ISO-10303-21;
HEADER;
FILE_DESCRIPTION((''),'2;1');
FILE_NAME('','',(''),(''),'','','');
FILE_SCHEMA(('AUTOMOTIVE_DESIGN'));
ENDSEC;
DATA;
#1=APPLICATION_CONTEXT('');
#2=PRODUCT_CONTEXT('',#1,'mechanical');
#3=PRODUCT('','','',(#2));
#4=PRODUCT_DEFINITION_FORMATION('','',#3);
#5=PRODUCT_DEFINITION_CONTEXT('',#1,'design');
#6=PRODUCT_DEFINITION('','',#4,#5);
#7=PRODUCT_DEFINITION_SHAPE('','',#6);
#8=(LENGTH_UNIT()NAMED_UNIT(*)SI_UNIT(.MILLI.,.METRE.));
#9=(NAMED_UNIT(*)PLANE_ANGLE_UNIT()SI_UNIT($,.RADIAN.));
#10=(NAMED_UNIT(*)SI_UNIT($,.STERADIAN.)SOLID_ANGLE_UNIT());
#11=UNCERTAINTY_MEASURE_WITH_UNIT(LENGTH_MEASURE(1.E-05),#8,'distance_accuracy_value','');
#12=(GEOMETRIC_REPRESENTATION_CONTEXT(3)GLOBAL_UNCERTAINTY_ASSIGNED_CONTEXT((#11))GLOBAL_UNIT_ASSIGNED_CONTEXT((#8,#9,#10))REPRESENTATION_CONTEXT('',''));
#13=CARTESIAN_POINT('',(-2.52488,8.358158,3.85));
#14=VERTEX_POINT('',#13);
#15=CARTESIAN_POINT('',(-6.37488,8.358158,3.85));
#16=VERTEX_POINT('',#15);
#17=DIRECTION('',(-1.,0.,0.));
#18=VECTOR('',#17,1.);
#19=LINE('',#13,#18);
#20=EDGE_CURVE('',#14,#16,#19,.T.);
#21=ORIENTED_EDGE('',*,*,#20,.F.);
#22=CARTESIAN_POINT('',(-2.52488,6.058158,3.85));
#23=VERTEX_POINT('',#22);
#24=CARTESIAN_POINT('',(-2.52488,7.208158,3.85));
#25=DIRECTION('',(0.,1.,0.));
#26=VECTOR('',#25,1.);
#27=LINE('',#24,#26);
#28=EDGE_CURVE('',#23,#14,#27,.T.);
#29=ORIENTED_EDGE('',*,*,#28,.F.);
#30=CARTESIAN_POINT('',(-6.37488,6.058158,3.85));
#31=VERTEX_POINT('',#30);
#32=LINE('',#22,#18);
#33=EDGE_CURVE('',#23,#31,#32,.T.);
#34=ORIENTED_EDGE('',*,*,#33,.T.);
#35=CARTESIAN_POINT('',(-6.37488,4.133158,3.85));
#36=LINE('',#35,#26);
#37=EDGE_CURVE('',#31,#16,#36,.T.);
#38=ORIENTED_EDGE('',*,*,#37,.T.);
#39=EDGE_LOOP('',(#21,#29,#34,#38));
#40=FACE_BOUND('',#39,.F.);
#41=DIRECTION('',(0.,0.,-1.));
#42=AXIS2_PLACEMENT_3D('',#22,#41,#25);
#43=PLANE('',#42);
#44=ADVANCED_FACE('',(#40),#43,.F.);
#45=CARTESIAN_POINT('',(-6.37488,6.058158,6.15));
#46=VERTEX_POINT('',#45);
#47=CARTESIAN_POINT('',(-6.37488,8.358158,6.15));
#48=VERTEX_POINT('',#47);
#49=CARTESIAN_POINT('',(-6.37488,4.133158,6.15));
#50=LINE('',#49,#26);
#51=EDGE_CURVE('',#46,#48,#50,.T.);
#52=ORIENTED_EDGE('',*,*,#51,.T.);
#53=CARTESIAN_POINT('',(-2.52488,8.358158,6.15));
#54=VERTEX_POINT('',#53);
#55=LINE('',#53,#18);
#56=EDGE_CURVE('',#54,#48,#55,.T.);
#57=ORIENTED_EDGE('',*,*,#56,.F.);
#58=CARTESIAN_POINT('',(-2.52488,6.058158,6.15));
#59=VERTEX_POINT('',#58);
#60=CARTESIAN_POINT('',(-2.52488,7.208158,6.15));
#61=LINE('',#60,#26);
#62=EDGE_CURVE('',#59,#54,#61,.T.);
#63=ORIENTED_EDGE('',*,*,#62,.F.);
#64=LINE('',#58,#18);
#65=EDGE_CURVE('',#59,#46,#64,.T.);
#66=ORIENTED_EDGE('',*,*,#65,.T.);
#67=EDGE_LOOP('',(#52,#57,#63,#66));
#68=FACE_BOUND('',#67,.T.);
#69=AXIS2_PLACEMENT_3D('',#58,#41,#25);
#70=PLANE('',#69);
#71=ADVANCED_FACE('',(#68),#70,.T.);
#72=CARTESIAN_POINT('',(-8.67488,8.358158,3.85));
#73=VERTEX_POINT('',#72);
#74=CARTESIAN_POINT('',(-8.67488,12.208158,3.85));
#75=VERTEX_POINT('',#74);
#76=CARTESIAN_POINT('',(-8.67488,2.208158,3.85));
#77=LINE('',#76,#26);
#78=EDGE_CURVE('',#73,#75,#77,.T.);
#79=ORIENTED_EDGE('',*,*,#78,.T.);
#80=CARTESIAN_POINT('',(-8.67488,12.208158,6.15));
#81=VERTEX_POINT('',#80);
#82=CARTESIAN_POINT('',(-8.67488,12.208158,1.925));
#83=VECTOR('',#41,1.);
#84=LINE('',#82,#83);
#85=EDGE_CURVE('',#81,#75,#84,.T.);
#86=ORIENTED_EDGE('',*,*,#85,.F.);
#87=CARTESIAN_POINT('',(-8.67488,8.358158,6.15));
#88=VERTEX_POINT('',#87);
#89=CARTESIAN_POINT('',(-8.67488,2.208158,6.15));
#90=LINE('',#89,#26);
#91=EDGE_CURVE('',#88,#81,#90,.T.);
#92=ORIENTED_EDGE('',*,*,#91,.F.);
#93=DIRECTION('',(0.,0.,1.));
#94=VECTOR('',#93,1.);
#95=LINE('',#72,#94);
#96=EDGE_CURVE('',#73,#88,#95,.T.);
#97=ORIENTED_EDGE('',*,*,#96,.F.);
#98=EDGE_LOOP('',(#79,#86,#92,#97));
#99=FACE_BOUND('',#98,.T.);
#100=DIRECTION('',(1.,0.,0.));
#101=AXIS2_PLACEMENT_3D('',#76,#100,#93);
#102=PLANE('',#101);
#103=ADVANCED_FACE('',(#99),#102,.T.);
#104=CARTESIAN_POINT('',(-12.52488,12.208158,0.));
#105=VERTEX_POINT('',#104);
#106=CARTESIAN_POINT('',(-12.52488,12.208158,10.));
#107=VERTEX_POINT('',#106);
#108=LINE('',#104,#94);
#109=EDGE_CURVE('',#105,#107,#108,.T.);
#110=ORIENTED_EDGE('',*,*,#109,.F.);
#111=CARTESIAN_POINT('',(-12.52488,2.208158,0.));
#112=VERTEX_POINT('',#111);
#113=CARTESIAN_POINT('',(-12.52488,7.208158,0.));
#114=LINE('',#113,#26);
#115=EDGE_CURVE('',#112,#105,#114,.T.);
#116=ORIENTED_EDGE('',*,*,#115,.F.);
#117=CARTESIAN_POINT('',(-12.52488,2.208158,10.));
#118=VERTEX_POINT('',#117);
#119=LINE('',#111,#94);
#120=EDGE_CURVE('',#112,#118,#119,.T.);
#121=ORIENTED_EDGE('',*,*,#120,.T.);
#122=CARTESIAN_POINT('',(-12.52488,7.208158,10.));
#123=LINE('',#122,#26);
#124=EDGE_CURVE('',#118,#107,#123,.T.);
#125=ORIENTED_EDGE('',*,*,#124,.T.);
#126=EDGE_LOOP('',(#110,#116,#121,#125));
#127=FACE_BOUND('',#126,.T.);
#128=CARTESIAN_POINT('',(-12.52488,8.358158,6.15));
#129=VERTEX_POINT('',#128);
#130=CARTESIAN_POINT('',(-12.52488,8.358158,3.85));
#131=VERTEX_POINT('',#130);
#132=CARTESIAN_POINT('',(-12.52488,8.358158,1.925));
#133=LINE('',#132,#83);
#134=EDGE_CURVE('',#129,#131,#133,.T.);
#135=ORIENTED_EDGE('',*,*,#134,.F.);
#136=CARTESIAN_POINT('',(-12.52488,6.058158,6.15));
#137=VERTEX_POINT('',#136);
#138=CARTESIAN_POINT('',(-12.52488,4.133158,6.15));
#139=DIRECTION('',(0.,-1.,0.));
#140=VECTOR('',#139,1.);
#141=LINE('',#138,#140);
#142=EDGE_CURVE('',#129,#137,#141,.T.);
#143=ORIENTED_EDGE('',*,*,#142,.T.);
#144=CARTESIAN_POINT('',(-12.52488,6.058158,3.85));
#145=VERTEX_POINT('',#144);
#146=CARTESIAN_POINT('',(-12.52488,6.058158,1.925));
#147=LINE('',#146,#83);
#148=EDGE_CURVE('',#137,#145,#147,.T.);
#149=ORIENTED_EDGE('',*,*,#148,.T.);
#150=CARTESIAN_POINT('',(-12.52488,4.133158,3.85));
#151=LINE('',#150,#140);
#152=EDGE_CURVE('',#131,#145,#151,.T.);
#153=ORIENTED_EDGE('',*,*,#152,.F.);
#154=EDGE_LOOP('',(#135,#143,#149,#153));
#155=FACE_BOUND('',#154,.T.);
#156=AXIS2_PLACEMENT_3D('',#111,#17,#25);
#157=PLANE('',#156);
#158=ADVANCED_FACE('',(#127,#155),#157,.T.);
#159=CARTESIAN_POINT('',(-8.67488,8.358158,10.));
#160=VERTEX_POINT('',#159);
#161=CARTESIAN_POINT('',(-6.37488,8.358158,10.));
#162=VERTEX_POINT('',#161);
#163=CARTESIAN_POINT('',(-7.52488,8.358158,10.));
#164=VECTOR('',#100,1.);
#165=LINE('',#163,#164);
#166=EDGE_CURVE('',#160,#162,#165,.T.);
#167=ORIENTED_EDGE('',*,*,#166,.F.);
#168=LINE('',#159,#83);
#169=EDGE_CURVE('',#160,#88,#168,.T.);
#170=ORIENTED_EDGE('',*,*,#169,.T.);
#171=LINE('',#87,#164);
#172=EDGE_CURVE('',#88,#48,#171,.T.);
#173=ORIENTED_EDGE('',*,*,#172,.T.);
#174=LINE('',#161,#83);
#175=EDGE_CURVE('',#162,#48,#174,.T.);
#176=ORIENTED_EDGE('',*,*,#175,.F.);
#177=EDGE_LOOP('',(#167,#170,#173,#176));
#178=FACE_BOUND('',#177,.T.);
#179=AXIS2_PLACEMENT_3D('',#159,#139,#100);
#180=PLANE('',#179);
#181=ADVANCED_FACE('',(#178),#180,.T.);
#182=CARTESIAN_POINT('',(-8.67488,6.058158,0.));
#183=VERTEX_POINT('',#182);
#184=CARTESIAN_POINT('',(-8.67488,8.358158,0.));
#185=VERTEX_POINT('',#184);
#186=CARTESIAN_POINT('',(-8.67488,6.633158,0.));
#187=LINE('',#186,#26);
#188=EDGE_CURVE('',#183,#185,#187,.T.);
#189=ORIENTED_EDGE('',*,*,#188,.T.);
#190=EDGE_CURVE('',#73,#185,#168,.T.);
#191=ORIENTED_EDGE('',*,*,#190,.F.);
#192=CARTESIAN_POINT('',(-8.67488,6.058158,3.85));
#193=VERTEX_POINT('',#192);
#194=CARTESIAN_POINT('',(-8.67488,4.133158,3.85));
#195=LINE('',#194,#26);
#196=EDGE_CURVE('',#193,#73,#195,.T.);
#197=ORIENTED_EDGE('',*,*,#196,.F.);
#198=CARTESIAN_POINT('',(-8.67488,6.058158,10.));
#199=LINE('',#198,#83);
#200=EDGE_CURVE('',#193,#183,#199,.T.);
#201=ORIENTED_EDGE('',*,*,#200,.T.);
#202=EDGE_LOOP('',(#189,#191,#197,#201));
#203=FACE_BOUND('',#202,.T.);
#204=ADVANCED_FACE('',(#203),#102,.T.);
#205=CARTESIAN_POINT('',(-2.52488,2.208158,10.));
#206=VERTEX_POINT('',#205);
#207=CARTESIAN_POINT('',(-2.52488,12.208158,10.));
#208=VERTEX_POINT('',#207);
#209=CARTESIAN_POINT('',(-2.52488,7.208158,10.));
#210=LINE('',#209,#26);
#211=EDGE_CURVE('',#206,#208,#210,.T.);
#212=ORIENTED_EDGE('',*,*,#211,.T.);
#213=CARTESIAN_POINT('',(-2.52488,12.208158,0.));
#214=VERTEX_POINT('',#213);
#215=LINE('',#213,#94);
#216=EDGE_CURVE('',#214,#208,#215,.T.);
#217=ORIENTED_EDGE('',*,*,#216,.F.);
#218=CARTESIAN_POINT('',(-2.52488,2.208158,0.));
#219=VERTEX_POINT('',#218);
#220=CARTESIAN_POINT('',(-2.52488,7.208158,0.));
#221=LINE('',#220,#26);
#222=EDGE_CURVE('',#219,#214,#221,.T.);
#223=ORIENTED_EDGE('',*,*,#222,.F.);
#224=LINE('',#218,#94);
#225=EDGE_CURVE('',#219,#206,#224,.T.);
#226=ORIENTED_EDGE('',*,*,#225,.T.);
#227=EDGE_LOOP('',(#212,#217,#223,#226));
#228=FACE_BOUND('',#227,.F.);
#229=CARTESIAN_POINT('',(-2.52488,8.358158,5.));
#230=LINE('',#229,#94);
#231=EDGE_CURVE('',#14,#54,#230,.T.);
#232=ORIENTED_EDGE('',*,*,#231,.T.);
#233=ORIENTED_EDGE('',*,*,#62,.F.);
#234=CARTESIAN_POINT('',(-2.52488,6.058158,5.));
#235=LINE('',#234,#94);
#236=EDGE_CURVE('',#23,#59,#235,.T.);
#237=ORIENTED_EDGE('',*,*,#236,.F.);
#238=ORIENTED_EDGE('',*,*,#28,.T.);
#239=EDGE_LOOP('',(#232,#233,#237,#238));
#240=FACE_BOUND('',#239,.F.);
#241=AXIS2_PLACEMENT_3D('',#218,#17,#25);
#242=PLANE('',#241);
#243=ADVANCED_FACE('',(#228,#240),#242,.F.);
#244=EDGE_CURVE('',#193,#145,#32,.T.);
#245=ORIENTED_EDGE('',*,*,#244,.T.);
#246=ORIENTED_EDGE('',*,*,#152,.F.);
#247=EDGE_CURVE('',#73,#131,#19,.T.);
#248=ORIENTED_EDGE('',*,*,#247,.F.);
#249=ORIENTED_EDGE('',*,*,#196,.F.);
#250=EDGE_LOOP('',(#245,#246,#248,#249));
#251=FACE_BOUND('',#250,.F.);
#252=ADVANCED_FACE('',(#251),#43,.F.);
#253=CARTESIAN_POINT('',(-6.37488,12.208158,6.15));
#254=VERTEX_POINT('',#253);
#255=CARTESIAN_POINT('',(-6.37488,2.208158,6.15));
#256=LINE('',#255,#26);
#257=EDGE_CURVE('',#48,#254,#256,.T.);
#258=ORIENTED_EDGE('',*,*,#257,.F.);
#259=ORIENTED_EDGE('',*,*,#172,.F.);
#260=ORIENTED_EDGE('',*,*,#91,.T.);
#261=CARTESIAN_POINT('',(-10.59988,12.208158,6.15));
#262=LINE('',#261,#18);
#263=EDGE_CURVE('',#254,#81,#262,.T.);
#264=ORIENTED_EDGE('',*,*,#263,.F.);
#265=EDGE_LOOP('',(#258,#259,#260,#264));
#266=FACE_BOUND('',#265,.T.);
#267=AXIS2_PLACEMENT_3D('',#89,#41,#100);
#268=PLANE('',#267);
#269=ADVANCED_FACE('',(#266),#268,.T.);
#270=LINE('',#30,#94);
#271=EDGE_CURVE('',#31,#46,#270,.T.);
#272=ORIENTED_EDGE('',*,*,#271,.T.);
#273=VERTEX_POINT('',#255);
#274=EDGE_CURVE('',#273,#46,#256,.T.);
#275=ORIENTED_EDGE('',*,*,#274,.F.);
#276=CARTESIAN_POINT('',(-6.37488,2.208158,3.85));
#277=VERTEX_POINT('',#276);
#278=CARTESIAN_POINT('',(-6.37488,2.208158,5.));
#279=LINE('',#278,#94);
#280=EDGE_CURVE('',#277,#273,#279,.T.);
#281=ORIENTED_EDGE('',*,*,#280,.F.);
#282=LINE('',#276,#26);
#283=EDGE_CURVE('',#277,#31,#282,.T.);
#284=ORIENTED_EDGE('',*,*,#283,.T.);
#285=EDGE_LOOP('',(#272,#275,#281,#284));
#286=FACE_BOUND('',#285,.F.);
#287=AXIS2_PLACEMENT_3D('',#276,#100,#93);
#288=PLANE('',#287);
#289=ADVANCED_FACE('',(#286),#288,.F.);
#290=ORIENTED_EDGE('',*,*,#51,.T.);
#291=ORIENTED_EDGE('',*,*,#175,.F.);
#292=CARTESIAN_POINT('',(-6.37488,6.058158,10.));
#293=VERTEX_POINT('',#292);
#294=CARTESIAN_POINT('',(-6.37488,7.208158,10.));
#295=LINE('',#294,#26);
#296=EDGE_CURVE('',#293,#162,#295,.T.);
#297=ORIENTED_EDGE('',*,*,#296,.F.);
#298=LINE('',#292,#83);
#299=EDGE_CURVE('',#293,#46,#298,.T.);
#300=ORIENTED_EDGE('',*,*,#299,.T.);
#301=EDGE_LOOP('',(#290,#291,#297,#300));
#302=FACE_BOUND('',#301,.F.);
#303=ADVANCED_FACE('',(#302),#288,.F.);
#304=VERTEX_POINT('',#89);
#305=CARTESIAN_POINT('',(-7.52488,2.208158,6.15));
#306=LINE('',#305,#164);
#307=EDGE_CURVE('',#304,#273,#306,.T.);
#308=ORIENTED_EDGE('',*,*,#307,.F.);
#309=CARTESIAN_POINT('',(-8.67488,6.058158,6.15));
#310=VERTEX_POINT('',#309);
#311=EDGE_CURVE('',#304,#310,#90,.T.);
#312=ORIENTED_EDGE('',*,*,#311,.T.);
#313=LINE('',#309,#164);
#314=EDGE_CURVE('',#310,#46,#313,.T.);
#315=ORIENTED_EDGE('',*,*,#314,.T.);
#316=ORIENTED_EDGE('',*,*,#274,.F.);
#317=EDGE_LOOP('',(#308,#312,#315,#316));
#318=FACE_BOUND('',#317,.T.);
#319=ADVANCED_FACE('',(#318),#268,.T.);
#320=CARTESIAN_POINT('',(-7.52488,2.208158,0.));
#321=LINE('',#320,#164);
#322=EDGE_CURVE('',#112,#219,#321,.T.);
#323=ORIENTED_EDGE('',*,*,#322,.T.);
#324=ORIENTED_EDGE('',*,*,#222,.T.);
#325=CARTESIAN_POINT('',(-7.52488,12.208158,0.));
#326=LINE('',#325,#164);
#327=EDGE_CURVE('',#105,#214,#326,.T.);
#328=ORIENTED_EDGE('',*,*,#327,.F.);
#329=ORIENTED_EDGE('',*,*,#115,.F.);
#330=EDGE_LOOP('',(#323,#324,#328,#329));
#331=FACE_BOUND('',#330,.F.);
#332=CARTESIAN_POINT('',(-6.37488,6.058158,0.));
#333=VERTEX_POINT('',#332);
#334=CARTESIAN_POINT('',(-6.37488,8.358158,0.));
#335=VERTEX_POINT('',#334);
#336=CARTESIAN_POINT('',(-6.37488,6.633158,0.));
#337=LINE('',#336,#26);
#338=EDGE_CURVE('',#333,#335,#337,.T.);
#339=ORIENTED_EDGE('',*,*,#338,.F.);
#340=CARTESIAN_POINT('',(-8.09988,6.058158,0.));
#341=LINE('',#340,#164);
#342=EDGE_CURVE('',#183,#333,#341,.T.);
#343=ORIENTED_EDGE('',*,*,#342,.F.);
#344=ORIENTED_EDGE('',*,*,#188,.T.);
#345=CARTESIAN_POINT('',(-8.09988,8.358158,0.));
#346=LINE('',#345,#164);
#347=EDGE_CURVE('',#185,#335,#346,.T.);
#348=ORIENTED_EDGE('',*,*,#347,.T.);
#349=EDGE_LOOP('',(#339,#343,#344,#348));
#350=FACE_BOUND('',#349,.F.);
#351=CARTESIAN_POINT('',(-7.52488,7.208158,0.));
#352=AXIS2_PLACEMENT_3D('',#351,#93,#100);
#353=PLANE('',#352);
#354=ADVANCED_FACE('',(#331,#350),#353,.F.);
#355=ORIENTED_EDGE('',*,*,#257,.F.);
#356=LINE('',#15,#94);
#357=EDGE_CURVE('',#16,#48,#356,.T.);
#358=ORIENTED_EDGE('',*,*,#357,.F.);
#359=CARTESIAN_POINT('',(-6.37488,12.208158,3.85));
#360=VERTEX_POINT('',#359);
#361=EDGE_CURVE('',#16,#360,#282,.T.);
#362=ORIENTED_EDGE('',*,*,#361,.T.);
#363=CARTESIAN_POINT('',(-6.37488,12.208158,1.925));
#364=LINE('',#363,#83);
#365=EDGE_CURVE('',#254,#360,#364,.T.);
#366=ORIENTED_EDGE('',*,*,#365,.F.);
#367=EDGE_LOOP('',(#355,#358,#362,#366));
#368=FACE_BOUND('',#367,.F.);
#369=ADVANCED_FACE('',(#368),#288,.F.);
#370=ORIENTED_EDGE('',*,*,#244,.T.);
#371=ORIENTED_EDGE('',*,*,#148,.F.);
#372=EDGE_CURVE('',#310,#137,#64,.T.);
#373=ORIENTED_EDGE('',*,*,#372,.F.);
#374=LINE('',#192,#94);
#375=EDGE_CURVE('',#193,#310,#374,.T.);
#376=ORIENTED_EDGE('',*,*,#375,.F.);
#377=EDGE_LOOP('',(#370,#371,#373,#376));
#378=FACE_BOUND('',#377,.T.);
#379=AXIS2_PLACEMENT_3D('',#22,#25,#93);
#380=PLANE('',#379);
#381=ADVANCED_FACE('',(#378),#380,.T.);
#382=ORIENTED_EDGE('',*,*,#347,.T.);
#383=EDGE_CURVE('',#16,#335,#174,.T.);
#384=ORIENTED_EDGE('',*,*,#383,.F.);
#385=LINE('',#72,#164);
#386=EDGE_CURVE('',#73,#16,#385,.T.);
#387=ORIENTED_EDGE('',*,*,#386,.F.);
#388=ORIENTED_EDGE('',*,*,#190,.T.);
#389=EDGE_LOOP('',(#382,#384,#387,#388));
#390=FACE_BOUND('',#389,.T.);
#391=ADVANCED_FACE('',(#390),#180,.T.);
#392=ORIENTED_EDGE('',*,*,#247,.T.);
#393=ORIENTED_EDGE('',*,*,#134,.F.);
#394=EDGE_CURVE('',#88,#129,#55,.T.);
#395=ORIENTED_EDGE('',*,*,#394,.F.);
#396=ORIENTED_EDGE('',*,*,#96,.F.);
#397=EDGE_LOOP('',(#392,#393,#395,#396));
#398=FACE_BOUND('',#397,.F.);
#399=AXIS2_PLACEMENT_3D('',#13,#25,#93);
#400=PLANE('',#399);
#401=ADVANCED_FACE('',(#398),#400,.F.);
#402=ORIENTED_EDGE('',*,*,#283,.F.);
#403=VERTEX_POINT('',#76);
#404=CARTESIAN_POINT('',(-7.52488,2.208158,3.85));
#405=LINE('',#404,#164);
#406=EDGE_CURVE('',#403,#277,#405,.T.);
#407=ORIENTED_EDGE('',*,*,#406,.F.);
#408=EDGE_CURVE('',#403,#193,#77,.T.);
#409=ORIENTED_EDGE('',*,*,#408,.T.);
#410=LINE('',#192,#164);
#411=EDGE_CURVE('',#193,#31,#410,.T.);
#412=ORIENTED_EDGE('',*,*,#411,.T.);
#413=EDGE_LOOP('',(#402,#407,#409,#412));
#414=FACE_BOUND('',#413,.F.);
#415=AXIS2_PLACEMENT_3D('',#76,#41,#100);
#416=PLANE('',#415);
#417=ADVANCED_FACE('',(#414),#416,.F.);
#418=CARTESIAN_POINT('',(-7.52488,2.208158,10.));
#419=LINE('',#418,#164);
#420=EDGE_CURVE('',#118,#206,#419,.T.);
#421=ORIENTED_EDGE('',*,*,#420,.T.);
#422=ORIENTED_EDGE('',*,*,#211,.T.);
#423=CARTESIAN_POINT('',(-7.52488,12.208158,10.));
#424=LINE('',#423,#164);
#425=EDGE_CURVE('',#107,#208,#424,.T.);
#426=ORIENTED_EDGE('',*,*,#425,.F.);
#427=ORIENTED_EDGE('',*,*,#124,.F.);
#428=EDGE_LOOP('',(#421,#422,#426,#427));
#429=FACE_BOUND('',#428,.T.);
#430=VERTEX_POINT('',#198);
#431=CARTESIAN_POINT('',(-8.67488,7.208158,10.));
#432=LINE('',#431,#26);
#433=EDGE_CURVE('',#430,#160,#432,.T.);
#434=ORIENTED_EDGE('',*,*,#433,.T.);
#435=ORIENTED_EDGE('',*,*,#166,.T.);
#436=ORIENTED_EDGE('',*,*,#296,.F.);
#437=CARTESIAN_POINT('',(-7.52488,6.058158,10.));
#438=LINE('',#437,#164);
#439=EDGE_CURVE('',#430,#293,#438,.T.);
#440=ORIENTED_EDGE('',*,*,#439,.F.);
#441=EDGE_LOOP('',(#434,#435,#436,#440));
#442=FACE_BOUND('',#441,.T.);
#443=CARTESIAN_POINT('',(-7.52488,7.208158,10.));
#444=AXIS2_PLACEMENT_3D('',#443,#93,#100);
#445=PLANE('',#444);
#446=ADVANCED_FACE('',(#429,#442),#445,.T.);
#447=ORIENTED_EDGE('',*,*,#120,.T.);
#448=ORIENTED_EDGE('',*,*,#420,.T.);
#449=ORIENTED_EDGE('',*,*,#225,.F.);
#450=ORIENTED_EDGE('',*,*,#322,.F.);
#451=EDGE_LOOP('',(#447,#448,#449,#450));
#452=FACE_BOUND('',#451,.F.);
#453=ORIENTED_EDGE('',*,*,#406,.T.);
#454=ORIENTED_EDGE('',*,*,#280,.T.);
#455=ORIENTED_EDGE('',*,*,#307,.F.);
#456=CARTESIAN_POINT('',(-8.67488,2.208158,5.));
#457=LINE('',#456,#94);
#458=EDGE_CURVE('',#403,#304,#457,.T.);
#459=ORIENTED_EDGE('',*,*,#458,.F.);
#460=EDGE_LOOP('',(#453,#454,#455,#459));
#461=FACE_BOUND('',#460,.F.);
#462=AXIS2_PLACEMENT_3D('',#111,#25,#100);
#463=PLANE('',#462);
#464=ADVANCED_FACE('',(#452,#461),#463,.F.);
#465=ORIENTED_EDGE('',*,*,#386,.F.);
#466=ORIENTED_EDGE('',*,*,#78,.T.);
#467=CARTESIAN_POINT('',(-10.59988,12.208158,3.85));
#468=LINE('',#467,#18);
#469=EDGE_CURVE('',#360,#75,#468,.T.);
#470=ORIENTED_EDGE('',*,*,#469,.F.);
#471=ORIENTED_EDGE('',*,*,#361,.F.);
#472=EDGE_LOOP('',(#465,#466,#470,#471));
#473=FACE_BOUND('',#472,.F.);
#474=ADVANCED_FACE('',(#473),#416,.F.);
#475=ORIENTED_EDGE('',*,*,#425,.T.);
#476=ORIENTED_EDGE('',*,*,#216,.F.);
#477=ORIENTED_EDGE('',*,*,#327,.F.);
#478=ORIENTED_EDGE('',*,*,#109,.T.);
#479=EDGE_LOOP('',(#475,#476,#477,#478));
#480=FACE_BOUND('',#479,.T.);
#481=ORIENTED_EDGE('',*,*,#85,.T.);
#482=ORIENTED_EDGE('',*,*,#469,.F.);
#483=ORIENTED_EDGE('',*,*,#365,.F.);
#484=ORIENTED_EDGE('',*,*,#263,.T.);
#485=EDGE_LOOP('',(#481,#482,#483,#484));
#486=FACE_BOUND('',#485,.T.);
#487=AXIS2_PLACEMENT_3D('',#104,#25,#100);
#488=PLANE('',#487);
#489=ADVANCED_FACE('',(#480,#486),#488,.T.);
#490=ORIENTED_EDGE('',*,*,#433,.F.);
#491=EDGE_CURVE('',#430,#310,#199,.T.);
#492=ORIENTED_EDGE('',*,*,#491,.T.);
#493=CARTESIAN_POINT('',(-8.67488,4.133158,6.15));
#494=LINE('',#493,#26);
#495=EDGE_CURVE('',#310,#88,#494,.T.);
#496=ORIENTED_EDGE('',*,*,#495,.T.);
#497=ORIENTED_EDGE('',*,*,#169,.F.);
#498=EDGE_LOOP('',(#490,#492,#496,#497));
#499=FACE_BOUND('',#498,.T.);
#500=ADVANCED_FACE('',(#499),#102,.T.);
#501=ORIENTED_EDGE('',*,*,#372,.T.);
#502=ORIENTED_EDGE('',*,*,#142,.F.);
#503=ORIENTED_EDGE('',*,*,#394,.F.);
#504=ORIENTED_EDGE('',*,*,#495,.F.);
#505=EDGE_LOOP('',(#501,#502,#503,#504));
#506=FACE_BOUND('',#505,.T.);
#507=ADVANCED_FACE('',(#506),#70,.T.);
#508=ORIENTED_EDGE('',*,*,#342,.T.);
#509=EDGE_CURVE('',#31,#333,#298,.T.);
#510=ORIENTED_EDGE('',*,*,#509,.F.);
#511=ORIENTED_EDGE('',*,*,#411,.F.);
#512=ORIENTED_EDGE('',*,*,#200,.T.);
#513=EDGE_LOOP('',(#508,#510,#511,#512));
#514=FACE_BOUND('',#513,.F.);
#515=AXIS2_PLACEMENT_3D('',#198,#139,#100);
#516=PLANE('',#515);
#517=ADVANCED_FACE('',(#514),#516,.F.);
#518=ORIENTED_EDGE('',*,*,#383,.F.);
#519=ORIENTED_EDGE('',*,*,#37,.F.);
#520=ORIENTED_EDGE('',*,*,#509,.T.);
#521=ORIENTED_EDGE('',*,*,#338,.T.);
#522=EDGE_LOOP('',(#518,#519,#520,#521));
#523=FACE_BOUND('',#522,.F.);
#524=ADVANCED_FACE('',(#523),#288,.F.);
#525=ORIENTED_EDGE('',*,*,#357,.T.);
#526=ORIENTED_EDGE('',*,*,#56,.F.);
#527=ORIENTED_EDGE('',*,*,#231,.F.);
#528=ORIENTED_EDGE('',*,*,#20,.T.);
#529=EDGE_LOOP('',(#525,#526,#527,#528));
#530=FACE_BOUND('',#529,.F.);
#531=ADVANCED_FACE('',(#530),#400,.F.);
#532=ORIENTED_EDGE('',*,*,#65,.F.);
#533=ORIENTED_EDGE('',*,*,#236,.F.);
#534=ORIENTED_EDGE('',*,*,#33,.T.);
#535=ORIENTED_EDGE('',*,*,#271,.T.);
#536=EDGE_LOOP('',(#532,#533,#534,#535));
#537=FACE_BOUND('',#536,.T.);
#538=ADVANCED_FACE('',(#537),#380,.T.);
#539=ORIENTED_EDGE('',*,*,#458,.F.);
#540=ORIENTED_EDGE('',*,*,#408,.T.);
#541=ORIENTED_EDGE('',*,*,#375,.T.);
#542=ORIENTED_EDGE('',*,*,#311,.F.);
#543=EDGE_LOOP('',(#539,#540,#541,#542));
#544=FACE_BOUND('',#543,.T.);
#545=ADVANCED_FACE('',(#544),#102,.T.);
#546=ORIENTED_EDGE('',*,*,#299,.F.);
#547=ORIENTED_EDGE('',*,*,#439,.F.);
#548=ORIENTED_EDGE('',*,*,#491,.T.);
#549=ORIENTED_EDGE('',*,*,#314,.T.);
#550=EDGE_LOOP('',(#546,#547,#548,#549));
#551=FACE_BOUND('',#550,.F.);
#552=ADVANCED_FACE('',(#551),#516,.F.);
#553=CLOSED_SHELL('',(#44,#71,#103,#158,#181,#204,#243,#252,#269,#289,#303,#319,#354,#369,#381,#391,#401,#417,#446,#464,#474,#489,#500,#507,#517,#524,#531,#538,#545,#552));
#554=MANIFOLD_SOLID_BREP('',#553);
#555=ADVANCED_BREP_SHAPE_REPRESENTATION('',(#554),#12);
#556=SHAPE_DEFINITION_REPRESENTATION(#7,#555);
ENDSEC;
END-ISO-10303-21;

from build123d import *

# Parameters (mm, degrees)
F0_W     = 10
F0_H     = 10
F1_DEPTH = 10
F2_W     = 2.3
F2_H     = 2.3
F5_DEPTH = 10.001
F3_W     = 2.3
F3_H     = 2.3
F6_DEPTH = 10.001
F4_W     = 2.3
F4_H     = 2.3
F7_DEPTH = 10.001


with BuildPart() as f1:
    # F0 (on Top) → F1 (new body)
    with BuildSketch(Plane.XY):
        with Locations((-7.52488, 7.208158)):
            Rectangle(F0_W, F0_H)
    extrude(amount=F1_DEPTH)

    # F2 (on face) → F5 (cut, through all)
    with BuildSketch(Plane.XY.offset(10)):
        with Locations((-7.52488, 7.208158)):
            Rectangle(F2_W, F2_H)
    extrude(amount=-F5_DEPTH, mode=Mode.SUBTRACT)

    # F3 (on face) → F6 (cut, through all)
    with BuildSketch(Plane.XZ.offset(-2.208158)):
        with Locations((-7.52488, 5)):
            Rectangle(F3_W, F3_H)
    extrude(amount=-F6_DEPTH, mode=Mode.SUBTRACT)

    # F4 (on face) → F7 (cut, through all)
    with BuildSketch(Plane.YZ.offset(-2.52488)):
        with Locations((7.208158, 5)):
            Rectangle(F4_W, F4_H)
    extrude(amount=-F7_DEPTH, mode=Mode.SUBTRACT)


solid = f1.part
